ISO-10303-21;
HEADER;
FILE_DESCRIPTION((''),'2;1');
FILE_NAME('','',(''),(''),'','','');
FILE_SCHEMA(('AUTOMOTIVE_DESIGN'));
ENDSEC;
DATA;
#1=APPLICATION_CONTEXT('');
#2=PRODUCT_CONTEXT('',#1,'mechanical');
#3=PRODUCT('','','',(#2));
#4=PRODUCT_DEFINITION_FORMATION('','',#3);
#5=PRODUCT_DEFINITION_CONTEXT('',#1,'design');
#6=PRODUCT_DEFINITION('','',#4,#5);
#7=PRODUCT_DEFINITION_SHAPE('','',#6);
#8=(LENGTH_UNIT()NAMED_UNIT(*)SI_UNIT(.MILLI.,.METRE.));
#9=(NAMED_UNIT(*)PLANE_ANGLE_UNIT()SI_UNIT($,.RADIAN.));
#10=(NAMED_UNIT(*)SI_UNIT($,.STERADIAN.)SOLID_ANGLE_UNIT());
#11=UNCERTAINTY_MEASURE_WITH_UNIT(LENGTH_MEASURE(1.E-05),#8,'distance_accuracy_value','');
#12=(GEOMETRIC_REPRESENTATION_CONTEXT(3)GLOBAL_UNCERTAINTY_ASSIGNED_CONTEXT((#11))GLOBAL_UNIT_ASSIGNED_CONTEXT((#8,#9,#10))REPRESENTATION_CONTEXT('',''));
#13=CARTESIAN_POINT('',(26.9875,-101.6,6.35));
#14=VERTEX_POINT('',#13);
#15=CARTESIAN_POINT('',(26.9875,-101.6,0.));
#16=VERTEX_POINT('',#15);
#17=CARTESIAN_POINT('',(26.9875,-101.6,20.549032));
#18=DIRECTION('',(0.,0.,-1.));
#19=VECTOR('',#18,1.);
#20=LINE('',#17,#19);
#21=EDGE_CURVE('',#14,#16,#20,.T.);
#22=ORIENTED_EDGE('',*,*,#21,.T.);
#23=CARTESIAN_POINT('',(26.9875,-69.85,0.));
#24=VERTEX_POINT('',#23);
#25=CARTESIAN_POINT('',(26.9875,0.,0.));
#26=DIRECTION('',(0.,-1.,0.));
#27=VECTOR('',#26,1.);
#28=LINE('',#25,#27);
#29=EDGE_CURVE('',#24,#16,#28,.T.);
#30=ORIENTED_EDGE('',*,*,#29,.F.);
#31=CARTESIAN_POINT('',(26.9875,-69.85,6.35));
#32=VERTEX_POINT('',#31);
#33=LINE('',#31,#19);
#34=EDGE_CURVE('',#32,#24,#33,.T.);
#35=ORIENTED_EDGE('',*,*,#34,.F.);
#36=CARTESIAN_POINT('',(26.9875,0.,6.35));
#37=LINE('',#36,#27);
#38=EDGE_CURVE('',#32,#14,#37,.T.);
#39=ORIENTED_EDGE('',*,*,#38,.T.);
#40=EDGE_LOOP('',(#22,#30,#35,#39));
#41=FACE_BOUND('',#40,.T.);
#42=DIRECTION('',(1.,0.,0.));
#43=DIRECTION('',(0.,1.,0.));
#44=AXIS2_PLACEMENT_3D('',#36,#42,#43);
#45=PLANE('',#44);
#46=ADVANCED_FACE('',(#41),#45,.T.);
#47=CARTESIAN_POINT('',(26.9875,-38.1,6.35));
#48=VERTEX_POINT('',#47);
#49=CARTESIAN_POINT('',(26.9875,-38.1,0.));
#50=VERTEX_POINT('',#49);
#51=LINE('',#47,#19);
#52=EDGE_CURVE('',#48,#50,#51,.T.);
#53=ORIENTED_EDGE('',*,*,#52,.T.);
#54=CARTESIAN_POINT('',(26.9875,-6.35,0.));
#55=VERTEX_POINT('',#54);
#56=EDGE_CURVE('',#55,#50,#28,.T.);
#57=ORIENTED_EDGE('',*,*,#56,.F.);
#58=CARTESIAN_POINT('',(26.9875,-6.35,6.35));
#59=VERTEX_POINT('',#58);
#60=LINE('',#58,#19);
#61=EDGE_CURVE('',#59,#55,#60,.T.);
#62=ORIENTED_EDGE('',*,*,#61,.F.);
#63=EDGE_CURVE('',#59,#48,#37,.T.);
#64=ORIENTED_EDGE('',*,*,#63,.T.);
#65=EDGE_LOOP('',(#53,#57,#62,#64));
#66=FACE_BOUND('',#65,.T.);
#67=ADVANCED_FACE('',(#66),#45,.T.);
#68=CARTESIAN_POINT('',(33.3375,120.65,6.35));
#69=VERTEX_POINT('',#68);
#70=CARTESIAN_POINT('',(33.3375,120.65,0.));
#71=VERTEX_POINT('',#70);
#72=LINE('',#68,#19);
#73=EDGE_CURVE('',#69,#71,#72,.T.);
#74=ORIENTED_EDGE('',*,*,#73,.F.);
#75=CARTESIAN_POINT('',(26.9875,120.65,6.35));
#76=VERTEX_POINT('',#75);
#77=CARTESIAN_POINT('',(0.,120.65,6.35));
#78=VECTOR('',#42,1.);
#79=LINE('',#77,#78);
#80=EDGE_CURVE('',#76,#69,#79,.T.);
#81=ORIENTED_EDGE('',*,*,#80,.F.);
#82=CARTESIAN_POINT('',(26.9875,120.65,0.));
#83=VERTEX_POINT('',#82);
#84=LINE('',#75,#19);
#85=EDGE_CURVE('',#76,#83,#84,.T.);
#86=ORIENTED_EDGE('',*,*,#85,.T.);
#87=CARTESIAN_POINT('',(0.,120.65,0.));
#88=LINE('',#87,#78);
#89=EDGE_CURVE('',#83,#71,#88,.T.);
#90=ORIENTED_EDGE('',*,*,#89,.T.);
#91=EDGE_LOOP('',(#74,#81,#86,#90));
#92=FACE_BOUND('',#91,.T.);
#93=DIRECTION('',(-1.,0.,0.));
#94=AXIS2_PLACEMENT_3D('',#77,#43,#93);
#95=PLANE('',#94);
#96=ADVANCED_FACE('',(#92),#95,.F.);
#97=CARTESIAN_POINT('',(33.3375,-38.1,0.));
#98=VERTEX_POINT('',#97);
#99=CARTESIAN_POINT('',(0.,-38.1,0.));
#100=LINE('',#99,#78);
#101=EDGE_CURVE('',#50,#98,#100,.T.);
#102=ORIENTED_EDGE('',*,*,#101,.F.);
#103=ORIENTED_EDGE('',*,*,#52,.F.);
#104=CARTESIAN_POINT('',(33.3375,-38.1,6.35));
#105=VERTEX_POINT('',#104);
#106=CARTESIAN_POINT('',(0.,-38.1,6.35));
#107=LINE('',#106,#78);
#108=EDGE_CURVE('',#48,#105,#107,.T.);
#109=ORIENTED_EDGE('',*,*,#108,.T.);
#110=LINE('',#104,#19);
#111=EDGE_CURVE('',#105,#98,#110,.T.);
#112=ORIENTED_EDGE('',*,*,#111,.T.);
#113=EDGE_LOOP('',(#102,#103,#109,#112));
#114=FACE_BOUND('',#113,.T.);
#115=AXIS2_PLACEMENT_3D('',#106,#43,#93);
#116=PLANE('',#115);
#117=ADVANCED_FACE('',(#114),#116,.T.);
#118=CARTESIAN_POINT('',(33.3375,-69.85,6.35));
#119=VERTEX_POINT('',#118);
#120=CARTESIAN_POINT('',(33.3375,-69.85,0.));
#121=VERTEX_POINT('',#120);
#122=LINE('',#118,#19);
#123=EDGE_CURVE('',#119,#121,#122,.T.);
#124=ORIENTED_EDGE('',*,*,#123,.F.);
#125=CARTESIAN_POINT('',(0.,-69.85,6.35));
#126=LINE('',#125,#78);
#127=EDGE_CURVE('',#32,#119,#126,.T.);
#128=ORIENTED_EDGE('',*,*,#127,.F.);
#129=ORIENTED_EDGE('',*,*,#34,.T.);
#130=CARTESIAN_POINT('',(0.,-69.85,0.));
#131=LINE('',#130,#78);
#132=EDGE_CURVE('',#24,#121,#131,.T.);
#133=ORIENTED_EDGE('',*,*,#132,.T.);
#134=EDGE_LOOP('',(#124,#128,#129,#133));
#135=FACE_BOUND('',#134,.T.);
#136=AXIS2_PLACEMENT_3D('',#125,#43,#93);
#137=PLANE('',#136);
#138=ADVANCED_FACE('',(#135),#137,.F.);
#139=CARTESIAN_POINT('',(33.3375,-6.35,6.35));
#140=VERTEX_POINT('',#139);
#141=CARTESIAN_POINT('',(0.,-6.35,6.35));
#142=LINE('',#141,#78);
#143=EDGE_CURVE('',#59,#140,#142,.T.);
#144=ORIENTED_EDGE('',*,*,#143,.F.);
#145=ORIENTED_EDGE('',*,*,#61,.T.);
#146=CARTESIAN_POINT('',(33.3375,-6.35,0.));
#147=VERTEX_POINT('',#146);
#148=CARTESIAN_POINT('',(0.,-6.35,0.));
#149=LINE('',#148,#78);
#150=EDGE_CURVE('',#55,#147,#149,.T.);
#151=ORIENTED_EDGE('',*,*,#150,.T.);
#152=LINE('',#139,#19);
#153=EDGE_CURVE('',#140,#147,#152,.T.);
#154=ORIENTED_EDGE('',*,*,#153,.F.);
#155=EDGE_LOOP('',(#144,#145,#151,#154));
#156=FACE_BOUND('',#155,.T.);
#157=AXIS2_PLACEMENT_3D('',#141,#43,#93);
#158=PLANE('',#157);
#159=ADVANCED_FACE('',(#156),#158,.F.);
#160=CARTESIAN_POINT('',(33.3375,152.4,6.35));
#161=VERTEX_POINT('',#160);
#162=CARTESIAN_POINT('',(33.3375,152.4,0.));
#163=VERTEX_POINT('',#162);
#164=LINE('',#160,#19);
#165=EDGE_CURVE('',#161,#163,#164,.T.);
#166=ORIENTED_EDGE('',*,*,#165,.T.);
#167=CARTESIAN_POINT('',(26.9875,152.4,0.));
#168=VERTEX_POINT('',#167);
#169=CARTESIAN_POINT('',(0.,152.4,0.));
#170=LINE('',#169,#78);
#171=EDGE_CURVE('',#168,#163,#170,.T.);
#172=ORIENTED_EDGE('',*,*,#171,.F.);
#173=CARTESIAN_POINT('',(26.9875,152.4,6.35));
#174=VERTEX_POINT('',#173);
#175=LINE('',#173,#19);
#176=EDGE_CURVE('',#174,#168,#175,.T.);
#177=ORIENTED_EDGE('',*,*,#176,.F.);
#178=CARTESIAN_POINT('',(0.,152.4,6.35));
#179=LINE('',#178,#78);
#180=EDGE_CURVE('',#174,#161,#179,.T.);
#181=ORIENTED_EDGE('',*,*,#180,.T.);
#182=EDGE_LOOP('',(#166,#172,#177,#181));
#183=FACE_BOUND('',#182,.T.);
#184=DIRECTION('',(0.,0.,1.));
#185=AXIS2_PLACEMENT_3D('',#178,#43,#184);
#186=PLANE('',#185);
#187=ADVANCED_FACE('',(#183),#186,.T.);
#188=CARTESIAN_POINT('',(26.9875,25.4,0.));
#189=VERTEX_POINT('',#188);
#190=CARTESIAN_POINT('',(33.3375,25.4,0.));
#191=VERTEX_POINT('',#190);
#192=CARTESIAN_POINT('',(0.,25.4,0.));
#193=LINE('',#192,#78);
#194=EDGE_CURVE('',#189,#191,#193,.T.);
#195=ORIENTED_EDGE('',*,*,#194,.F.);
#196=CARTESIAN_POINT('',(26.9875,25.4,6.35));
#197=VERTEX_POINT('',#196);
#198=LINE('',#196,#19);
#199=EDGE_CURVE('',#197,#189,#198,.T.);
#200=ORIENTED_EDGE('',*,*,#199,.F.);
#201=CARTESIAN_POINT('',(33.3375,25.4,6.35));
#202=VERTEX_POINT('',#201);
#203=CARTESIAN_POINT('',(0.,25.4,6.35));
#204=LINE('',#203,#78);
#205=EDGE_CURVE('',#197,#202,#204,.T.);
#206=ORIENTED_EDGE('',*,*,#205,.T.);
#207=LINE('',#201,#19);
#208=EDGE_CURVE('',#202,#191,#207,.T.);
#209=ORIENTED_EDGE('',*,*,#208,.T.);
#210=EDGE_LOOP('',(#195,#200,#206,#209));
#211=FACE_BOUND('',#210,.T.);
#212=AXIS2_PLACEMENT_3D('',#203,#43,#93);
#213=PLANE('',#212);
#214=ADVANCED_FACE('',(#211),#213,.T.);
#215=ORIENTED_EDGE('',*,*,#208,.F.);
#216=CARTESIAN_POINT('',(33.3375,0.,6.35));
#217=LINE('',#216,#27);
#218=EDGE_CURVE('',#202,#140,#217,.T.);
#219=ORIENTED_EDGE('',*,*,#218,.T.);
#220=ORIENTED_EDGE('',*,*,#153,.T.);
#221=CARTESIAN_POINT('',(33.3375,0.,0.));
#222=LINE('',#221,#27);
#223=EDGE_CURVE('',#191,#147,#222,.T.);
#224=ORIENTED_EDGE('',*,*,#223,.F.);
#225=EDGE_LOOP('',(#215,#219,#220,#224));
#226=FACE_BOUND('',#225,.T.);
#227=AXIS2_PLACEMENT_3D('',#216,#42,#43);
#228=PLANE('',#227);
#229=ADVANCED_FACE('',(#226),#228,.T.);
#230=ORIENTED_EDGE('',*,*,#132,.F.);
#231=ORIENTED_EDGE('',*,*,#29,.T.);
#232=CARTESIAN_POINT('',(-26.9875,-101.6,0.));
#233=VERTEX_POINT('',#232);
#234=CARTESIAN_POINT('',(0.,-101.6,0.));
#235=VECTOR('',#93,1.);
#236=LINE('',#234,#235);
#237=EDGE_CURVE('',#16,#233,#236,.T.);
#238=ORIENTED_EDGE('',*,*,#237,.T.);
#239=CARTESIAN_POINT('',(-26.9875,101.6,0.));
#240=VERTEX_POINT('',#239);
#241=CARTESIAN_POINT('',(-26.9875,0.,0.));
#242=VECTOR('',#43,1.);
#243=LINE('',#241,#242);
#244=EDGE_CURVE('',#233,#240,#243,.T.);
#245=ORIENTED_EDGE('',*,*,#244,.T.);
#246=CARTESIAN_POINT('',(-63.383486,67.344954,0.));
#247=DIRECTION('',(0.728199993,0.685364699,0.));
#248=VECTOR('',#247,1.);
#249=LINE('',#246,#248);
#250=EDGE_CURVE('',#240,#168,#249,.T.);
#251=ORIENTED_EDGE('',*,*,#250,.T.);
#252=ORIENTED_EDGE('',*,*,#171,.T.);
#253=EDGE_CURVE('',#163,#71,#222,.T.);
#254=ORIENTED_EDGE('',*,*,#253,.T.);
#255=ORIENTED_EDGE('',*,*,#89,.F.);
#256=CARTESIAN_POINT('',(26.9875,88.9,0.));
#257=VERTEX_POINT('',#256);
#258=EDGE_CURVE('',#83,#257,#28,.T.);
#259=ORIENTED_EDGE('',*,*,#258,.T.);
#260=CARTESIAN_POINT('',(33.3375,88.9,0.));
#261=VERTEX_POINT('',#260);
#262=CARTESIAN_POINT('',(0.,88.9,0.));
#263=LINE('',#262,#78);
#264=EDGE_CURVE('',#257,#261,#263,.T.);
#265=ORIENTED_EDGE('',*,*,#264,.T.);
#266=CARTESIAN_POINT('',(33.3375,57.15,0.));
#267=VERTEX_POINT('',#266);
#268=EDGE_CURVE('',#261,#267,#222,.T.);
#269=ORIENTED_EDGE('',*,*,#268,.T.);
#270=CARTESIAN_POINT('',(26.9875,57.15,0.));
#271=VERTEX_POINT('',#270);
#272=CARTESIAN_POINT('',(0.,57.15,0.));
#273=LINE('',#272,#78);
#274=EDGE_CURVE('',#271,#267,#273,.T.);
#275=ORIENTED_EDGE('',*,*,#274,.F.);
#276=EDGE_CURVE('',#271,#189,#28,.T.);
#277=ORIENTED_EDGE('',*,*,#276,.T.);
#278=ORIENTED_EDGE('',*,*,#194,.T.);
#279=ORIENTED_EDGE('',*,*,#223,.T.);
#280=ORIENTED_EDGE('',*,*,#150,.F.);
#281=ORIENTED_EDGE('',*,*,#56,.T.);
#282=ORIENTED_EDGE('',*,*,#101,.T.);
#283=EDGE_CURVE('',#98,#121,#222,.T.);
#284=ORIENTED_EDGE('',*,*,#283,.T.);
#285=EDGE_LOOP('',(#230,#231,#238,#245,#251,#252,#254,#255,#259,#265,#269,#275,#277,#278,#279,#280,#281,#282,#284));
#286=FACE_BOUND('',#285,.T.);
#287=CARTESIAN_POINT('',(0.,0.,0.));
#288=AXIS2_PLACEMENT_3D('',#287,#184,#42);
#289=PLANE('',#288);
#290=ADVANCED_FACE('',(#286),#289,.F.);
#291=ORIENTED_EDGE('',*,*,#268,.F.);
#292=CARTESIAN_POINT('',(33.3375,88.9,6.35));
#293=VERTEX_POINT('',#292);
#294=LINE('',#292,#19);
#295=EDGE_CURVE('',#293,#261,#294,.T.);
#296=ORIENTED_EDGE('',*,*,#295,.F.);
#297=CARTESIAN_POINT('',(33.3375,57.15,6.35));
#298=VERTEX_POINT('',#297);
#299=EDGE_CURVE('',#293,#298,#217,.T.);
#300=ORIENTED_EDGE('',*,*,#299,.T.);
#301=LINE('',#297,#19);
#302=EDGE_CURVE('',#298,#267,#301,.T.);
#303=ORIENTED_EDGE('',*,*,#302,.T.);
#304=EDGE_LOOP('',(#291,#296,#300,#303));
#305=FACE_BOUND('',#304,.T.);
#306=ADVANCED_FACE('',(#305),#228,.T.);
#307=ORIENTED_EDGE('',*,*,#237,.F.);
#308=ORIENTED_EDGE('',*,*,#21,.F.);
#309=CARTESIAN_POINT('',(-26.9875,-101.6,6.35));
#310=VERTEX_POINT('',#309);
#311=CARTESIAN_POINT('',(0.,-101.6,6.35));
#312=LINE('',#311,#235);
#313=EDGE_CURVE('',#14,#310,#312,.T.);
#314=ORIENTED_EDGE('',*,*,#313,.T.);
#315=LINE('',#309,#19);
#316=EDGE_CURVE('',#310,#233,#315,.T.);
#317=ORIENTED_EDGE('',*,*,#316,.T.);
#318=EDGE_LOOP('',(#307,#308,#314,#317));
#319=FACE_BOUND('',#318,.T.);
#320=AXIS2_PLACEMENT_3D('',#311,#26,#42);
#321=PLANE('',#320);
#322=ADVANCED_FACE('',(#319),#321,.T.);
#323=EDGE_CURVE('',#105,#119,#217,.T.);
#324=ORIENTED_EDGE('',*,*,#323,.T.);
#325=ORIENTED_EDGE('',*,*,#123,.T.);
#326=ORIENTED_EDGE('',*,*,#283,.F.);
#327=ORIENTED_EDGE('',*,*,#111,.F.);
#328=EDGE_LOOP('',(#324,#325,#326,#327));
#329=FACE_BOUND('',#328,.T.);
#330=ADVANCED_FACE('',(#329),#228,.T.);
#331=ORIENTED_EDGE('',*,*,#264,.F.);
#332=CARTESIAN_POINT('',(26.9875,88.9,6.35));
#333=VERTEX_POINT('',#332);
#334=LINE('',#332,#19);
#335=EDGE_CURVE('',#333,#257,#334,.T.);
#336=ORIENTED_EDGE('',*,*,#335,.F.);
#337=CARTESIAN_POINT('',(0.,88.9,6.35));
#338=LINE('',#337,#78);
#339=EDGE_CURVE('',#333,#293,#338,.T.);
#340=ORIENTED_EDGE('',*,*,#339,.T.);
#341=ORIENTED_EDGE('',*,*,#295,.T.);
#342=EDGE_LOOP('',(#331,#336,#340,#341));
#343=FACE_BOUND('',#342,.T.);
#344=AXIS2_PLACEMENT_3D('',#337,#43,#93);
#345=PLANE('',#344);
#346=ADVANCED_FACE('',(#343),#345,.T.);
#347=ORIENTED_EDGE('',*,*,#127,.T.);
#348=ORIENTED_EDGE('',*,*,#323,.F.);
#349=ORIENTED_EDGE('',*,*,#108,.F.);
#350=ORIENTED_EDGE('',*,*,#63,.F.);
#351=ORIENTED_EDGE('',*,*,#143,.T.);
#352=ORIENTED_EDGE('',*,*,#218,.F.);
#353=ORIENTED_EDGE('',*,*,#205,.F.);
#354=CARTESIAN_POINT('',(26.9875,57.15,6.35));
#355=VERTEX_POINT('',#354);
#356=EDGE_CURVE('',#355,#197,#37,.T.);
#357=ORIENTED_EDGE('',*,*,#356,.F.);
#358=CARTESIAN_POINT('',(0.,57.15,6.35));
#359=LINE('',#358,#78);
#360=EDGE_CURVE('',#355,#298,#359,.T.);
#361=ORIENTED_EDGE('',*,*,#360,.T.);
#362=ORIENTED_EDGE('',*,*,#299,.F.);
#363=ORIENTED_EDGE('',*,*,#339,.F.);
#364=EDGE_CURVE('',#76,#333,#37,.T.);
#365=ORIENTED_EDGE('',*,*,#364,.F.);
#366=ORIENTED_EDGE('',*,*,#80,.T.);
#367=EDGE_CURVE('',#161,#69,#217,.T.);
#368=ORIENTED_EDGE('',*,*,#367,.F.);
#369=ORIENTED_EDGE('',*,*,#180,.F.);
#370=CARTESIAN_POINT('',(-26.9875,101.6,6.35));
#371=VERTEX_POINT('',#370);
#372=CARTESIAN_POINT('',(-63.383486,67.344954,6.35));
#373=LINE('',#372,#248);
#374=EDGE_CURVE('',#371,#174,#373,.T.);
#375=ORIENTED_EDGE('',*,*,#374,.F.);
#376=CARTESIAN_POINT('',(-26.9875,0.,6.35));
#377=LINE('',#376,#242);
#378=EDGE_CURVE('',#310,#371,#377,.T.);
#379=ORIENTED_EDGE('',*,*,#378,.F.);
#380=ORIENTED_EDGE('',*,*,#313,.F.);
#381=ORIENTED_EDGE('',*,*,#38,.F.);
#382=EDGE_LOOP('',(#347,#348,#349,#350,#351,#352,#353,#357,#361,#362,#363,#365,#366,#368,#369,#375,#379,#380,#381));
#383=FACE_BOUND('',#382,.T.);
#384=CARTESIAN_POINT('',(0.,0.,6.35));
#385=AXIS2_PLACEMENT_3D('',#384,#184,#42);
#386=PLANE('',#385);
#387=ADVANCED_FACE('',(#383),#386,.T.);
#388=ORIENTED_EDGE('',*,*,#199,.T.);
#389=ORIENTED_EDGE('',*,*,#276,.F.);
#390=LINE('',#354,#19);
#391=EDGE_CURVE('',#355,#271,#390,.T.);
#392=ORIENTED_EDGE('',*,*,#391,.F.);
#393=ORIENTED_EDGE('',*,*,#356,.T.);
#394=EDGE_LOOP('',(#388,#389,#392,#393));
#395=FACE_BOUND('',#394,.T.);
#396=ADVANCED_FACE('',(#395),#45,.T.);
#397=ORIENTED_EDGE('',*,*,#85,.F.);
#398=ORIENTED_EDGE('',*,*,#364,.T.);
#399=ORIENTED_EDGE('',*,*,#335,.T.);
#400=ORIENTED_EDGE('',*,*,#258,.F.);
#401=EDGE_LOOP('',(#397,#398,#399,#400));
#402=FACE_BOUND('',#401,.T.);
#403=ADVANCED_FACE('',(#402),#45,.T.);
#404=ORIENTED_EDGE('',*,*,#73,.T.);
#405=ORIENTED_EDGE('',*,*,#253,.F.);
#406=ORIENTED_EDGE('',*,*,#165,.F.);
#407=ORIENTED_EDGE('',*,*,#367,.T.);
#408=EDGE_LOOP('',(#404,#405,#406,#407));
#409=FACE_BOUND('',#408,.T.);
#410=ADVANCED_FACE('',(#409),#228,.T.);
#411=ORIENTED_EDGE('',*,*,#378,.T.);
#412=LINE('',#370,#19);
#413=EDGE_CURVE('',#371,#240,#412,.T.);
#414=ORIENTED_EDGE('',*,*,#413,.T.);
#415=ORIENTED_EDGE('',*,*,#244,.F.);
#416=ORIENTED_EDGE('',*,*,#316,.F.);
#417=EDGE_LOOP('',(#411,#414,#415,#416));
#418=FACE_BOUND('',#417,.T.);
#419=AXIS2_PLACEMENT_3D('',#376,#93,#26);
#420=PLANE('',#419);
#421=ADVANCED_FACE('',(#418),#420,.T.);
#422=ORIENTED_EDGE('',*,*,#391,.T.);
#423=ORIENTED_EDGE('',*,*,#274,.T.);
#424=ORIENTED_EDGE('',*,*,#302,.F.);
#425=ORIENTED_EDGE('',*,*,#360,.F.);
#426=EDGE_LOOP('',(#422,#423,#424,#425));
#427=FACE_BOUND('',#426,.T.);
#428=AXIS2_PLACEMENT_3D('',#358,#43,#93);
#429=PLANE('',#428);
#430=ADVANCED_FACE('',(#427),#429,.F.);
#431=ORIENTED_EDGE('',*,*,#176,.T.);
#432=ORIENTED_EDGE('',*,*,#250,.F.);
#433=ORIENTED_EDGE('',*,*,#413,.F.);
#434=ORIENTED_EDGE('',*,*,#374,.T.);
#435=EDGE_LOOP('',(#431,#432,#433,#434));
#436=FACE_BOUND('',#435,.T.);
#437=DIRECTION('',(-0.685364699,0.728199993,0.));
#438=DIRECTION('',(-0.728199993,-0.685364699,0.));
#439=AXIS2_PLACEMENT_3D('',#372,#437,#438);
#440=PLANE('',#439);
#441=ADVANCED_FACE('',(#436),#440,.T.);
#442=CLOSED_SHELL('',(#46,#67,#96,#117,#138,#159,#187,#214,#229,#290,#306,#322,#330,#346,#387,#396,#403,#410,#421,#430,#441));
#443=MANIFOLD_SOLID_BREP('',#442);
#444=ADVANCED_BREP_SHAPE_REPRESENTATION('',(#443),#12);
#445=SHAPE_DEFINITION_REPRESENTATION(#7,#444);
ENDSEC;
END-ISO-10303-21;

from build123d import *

# Parameters (mm, degrees)
BOSS_EXTRUDE1_DEPTH = 6.35
SKETCH2_W           = 12.7
SKETCH2_H           = 6.35
CUT_EXTRUDE1_DEPTH  = 6.35


with BuildPart() as part:
    # Sketch1 → Boss-Extrude1 (new body)
    with BuildSketch(Plane.XY):
        Polygon((-26.9875, -101.6), (14.2875, -101.6), (14.2875, -107.95), (26.9875, -107.95), (26.9875, -69.85), (33.3375, -69.85), (33.3375, -38.1), (26.9875, -38.1), (26.9875, -6.35), (33.3375, -6.35), (33.3375, 25.4), (26.9875, 25.4), (26.9875, 57.15), (33.3375, 57.15), (33.3375, 88.9), (26.9875, 88.9), (26.9875, 120.65), (33.3375, 120.65), (33.3375, 152.4), (26.9875, 152.4), (-26.9875, 101.6), align=None)
    extrude(amount=BOSS_EXTRUDE1_DEPTH)

    # Sketch2 → Cut-Extrude1 (cut)
    with BuildSketch(Plane(origin=(0, 0, 0), x_dir=(-1, 0, 0), z_dir=(0, 0, -1))):
        with Locations((-20.6375, -104.775)):
            Rectangle(SKETCH2_W, SKETCH2_H)
    extrude(amount=-CUT_EXTRUDE1_DEPTH, mode=Mode.SUBTRACT)


solid = part.part
